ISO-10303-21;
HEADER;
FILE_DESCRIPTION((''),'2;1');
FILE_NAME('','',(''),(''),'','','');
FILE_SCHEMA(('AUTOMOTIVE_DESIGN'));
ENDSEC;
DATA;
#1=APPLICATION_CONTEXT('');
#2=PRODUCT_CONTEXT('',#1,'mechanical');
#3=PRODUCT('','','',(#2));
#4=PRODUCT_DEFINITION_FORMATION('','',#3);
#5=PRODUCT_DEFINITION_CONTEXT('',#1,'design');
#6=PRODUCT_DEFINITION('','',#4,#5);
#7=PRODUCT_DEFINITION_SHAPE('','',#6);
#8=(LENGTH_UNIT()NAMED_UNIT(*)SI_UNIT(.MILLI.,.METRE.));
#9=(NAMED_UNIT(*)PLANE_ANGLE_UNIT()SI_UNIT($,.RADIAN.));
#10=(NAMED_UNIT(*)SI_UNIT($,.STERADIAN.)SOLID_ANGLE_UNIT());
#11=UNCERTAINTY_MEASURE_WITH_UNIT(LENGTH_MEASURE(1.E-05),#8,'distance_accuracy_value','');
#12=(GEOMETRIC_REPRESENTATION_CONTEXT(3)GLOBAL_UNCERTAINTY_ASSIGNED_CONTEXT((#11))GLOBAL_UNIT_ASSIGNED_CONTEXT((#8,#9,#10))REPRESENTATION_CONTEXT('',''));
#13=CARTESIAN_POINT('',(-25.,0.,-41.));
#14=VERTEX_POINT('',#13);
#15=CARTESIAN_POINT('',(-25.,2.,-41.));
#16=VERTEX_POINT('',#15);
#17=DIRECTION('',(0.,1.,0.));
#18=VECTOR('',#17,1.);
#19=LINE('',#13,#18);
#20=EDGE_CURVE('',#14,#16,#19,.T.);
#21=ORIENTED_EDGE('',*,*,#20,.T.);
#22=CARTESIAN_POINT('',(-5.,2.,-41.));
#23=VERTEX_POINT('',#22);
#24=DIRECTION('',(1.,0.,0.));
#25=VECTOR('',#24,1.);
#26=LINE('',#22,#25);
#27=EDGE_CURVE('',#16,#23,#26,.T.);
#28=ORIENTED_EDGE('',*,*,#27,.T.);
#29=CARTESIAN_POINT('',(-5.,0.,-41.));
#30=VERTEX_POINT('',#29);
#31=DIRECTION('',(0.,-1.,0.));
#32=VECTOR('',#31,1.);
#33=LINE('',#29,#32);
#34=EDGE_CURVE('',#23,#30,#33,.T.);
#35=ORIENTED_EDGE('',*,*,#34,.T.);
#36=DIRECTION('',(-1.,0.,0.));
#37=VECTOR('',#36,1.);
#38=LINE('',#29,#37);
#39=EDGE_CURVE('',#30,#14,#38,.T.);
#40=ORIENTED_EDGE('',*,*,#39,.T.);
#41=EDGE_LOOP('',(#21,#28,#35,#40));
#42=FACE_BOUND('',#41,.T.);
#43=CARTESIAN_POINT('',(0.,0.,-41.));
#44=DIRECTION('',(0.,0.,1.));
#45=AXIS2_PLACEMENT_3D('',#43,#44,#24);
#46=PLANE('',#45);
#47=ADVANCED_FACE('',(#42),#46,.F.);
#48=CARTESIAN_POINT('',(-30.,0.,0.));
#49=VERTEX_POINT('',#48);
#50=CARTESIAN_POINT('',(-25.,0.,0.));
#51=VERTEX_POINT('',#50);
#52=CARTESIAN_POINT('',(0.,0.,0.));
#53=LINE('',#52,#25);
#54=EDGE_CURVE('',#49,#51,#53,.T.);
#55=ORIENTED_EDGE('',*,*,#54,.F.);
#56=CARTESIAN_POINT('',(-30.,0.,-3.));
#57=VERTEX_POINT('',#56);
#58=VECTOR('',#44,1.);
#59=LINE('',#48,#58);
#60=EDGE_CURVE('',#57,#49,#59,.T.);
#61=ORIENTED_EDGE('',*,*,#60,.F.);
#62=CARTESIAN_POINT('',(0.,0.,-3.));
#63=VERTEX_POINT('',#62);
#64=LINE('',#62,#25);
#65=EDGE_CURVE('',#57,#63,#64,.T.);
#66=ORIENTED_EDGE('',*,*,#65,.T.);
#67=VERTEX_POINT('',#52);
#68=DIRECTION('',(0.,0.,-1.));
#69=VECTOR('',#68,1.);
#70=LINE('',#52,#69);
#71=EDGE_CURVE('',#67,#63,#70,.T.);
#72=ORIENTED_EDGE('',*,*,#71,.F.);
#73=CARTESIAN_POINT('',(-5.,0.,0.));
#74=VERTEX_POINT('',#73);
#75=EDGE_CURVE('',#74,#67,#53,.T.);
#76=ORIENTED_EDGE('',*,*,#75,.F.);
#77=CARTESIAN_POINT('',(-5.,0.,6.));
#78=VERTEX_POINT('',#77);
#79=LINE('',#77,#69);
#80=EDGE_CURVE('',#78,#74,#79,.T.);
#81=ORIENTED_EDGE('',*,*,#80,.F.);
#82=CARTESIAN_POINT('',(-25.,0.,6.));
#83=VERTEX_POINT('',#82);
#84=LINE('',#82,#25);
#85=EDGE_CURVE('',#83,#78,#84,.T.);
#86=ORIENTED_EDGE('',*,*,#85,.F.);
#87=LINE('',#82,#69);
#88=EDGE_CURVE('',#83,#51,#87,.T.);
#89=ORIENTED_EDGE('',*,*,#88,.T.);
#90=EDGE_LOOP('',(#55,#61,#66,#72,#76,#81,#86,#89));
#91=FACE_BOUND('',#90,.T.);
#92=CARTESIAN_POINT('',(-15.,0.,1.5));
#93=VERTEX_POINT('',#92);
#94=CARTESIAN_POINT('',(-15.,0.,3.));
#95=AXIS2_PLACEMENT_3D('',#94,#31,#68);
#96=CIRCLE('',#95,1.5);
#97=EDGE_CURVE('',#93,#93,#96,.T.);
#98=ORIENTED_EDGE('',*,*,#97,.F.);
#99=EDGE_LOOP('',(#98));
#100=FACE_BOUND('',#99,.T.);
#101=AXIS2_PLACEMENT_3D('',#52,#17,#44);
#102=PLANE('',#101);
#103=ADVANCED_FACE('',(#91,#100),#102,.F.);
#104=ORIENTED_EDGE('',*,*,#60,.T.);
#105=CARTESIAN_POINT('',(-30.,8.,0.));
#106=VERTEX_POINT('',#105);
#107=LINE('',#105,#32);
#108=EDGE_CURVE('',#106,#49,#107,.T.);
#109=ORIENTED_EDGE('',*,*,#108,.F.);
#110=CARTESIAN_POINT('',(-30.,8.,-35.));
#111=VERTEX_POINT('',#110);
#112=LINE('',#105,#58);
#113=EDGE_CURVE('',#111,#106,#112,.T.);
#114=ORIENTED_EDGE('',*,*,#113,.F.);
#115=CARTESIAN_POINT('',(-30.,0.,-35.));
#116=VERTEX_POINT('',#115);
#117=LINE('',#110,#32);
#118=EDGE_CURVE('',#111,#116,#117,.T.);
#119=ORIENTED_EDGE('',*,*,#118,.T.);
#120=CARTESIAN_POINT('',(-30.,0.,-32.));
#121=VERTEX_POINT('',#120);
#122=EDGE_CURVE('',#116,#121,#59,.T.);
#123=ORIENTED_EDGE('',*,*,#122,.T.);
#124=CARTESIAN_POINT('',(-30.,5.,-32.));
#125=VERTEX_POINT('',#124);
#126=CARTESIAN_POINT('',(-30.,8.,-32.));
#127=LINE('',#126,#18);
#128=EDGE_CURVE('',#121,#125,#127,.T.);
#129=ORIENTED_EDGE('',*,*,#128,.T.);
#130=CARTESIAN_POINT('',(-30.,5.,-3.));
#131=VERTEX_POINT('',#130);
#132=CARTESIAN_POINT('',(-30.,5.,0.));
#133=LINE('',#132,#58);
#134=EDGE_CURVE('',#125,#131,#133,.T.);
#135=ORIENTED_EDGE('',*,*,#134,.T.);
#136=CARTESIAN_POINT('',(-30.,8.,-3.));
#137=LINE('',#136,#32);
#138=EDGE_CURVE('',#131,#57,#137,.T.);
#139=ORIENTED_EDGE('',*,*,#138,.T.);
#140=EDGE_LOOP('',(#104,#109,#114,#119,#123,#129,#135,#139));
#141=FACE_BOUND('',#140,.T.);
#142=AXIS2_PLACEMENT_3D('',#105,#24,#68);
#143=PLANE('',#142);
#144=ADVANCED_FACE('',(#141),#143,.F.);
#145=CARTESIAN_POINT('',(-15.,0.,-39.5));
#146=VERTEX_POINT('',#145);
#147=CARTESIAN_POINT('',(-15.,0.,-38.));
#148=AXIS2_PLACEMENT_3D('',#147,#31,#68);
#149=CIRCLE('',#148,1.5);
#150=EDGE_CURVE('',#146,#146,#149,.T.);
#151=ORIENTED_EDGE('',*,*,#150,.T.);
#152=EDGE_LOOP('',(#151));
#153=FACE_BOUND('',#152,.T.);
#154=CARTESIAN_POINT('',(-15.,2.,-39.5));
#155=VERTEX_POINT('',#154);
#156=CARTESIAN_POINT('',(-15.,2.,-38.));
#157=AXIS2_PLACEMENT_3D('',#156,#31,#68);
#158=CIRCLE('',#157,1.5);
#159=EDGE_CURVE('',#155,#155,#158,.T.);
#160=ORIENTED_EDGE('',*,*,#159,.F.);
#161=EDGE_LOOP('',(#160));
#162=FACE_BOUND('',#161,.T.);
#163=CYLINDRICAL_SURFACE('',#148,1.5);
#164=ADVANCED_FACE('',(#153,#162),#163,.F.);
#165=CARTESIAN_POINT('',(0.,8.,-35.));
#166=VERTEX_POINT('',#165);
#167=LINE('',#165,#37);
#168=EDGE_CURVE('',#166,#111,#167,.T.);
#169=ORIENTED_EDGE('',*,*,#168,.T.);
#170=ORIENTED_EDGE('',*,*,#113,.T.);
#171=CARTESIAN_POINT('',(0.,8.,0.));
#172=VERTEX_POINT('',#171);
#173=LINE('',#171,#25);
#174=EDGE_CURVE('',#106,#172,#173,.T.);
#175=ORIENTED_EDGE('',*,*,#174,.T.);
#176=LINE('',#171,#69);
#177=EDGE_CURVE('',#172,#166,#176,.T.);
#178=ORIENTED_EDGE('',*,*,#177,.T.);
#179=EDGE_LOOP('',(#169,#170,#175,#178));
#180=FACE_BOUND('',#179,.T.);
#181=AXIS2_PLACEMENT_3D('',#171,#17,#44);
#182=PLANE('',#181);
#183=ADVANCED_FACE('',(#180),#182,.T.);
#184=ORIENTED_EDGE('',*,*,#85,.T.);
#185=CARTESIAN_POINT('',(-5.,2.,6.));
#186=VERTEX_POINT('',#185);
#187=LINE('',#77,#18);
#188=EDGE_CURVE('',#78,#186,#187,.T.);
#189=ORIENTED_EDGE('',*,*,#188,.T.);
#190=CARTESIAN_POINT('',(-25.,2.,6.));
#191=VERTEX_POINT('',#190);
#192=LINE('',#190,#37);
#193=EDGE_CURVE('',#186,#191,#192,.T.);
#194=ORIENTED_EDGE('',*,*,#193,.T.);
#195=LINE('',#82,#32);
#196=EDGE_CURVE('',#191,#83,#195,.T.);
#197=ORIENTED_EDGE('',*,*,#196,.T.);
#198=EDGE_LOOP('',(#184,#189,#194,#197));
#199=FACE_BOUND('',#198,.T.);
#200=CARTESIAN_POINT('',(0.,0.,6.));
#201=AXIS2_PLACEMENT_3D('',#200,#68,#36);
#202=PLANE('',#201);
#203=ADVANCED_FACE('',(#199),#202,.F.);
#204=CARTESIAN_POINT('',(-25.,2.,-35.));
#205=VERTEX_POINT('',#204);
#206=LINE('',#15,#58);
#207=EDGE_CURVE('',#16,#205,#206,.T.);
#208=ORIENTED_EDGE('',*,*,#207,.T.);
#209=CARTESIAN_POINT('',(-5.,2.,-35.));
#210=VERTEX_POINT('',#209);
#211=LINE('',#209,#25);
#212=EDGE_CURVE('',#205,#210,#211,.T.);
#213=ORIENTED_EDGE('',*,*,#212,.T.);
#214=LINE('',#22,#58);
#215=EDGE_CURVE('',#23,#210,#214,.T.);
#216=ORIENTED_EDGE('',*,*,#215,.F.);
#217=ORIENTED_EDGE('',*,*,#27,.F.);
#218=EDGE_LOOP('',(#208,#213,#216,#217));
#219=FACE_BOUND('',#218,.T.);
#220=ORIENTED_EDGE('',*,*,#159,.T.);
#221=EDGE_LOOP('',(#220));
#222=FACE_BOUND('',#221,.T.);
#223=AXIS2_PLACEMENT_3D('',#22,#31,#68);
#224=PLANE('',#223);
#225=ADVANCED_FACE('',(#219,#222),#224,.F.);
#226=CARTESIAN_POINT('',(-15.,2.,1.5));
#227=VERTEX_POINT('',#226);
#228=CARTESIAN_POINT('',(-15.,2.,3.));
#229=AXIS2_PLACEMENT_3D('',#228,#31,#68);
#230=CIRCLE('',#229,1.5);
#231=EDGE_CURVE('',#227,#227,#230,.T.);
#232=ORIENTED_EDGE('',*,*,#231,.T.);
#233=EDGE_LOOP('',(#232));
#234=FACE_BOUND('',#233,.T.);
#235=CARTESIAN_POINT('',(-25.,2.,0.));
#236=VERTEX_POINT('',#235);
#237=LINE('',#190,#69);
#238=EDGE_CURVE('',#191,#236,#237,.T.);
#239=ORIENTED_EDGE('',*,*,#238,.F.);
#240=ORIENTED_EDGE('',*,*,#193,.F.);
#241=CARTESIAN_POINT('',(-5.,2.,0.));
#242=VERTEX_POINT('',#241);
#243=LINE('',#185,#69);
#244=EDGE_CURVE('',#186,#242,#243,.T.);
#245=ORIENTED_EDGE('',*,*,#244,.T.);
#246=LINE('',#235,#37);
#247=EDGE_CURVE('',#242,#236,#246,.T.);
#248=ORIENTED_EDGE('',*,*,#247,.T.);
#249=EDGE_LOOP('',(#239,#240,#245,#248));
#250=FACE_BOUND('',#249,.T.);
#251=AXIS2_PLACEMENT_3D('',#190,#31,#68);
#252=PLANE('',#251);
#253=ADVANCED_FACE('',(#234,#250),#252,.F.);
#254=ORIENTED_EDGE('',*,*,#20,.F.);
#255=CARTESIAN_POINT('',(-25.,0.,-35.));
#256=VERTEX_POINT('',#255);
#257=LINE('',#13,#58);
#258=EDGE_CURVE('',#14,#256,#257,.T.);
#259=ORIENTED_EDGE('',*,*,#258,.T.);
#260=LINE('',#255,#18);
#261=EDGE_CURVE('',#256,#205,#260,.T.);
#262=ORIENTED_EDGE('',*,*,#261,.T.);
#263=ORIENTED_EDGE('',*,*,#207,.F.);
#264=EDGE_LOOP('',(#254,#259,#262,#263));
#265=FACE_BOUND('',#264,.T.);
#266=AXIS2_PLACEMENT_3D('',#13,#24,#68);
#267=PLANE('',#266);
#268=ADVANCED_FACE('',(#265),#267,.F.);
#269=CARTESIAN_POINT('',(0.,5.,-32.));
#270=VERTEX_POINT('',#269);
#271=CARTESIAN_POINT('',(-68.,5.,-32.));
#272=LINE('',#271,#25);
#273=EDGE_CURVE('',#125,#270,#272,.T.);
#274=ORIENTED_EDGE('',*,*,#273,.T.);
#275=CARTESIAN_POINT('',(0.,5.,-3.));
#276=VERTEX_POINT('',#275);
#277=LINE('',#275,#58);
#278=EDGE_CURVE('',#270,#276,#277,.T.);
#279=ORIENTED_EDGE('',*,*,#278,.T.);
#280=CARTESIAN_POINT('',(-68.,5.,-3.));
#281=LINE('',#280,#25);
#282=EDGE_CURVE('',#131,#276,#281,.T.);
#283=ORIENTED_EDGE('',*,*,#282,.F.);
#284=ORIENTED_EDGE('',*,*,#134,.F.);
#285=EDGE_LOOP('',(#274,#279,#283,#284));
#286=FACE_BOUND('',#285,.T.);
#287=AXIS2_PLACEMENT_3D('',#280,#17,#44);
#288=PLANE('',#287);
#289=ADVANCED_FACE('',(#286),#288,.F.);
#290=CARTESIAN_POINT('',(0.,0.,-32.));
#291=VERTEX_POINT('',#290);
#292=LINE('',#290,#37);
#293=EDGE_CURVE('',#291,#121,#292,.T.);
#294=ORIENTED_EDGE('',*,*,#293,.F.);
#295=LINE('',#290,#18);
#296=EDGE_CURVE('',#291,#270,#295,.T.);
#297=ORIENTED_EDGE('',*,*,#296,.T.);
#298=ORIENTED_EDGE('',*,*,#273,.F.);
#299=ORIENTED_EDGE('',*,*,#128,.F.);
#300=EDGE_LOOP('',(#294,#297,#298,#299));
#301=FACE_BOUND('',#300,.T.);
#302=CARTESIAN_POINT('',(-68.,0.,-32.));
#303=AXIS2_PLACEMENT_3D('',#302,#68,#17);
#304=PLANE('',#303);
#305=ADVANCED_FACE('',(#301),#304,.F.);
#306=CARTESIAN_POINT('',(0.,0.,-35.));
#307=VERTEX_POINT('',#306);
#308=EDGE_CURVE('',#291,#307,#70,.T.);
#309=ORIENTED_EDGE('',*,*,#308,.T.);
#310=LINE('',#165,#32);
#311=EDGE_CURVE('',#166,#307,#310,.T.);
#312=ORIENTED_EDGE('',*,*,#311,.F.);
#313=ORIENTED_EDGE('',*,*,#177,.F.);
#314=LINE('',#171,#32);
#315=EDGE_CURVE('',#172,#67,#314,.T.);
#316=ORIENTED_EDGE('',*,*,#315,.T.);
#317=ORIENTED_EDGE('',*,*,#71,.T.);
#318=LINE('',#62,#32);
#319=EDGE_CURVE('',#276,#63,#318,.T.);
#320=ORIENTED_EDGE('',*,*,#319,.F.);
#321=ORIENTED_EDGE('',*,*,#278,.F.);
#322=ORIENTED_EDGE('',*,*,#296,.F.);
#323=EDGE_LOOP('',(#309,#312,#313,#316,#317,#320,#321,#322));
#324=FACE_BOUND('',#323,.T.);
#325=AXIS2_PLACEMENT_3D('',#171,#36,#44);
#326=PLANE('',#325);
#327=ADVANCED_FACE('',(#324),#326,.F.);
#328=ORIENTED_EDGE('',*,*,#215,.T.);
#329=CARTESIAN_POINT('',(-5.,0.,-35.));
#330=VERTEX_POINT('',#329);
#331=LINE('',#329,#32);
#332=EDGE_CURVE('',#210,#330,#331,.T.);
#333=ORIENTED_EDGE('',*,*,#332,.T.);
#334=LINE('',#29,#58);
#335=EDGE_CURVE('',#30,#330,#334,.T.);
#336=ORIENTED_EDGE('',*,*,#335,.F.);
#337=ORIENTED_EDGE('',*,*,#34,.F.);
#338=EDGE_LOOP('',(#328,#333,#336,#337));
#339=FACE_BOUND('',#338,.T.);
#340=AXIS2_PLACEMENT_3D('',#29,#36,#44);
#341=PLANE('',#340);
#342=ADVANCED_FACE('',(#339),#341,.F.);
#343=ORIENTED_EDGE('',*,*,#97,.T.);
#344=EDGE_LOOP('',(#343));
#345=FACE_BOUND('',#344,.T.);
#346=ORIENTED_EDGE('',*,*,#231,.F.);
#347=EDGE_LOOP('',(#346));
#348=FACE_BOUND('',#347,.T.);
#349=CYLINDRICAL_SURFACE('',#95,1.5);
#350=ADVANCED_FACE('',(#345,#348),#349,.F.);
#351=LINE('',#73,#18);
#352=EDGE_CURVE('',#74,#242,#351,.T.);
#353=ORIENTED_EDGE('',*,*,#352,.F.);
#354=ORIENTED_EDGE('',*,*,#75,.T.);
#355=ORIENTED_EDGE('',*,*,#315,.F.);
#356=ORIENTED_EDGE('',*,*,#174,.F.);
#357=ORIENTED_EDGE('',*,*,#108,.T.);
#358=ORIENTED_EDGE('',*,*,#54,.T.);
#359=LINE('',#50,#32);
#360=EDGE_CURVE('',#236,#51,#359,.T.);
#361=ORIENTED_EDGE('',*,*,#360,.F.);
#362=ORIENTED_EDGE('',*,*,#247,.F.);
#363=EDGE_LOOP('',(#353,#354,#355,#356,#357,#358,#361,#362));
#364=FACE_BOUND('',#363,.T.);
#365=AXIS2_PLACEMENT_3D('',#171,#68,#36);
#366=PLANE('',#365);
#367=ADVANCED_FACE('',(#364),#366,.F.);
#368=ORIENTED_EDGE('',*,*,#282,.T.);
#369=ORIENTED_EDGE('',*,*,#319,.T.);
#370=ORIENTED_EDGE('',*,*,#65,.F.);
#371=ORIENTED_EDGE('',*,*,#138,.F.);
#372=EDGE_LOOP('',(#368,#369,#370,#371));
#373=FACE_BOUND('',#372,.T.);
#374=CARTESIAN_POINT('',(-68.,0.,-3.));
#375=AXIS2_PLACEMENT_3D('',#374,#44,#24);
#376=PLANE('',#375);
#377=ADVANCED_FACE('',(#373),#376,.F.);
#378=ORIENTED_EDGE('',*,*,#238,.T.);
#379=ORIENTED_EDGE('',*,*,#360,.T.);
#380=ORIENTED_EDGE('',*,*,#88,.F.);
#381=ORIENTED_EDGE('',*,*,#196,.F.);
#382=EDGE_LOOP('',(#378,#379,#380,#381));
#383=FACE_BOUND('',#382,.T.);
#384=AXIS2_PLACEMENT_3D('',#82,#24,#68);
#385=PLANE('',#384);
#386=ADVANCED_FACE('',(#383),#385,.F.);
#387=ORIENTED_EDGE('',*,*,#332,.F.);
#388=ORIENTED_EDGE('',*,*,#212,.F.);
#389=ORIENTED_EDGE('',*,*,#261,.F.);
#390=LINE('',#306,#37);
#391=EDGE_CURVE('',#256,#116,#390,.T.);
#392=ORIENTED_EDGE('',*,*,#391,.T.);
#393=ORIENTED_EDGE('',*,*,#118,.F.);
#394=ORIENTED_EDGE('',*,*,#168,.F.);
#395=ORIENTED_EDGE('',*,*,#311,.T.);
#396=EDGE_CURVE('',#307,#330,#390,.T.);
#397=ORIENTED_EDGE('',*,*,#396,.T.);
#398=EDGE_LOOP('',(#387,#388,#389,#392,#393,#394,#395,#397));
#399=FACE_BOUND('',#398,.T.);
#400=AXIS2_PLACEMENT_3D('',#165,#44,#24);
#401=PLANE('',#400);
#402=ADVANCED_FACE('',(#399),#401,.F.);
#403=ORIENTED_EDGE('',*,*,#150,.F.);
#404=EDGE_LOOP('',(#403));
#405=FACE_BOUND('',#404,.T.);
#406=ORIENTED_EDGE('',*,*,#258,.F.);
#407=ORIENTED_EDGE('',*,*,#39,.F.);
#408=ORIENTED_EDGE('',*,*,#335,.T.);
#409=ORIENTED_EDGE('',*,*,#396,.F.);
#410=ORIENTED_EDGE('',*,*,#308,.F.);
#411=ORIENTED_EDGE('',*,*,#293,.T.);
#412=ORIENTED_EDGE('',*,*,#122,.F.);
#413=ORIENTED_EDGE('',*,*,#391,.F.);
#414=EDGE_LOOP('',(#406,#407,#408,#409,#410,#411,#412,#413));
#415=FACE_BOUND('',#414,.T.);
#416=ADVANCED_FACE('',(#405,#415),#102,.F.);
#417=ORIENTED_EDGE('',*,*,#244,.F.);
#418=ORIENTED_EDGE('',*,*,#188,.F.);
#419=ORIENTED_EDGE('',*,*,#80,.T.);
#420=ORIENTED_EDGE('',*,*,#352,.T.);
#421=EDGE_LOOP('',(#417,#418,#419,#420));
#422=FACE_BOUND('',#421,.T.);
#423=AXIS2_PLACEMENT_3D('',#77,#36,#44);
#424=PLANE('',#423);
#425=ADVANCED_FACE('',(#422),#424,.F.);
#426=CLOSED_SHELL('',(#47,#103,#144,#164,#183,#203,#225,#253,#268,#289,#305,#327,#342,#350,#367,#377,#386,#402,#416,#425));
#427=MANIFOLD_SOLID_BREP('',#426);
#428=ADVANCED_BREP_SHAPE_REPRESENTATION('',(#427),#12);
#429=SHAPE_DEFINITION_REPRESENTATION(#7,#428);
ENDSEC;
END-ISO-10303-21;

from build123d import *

# Parameters (mm, degrees)
SKETCH1_W                 = 30
SKETCH1_H                 = 35
BOSS_EXTRUDE1_DEPTH       = 8
SKETCH3_W                 = 29
SKETCH3_H                 = 5
CUT_EXTRUDE1_DEPTH        = 68
SKETCH4_W                 = 20
SKETCH4_H                 = 2
BOSS_EXTRUDE2_DEPTH       = 6
SKETCH5_W                 = 20
SKETCH5_H                 = 2
BOSS_EXTRUDE3_DEPTH       = 6
F_3_0MM_DOWEL_HOLE1_D     = 3
F_3_0MM_DOWEL_HOLE1_DEPTH = 12
F_3_0MM_DOWEL_HOLE1_TIP   = 0.901290929


with BuildPart() as part:
    # Sketch1 → Boss-Extrude1 (new body)
    with BuildSketch(Plane(origin=(0, 0, 0), x_dir=(1, 0, 0), z_dir=(0, 1, 0))):
        with Locations((-15, 17.5)):
            Rectangle(SKETCH1_W, SKETCH1_H)
    extrude(amount=BOSS_EXTRUDE1_DEPTH)

    # Sketch3 → Cut-Extrude1 (cut)
    with BuildSketch(Plane(origin=(0, 0, 0), x_dir=(0, 0, -1), z_dir=(1, 0, 0))):
        with Locations((17.5, 2.5)):
            Rectangle(SKETCH3_W, SKETCH3_H)
    extrude(amount=-CUT_EXTRUDE1_DEPTH, mode=Mode.SUBTRACT)

    # Sketch4 → Boss-Extrude2 (add)
    with BuildSketch(Plane.XY):
        with Locations((-15, 1)):
            Rectangle(SKETCH4_W, SKETCH4_H)
    extrude(amount=BOSS_EXTRUDE2_DEPTH)

    # Sketch5 → Boss-Extrude3 (add)
    with BuildSketch(Plane(origin=(0, 0, -35), x_dir=(-1, 0, 0), z_dir=(0, 0, -1))):
        with Locations((15, 1)):
            Rectangle(SKETCH5_W, SKETCH5_H)
    extrude(amount=BOSS_EXTRUDE3_DEPTH)

    # Ø3.0mm Dowel Hole1
    with Locations(Plane.XZ):
        with Locations((-15, -38), (-15, 3)):
            Hole(F_3_0MM_DOWEL_HOLE1_D / 2, depth=F_3_0MM_DOWEL_HOLE1_DEPTH)
            with Locations((0, 0, -(F_3_0MM_DOWEL_HOLE1_DEPTH + F_3_0MM_DOWEL_HOLE1_TIP / 2))):  # 118° drill point
                Cone(0, F_3_0MM_DOWEL_HOLE1_D / 2, F_3_0MM_DOWEL_HOLE1_TIP, mode=Mode.SUBTRACT)


solid = part.part
